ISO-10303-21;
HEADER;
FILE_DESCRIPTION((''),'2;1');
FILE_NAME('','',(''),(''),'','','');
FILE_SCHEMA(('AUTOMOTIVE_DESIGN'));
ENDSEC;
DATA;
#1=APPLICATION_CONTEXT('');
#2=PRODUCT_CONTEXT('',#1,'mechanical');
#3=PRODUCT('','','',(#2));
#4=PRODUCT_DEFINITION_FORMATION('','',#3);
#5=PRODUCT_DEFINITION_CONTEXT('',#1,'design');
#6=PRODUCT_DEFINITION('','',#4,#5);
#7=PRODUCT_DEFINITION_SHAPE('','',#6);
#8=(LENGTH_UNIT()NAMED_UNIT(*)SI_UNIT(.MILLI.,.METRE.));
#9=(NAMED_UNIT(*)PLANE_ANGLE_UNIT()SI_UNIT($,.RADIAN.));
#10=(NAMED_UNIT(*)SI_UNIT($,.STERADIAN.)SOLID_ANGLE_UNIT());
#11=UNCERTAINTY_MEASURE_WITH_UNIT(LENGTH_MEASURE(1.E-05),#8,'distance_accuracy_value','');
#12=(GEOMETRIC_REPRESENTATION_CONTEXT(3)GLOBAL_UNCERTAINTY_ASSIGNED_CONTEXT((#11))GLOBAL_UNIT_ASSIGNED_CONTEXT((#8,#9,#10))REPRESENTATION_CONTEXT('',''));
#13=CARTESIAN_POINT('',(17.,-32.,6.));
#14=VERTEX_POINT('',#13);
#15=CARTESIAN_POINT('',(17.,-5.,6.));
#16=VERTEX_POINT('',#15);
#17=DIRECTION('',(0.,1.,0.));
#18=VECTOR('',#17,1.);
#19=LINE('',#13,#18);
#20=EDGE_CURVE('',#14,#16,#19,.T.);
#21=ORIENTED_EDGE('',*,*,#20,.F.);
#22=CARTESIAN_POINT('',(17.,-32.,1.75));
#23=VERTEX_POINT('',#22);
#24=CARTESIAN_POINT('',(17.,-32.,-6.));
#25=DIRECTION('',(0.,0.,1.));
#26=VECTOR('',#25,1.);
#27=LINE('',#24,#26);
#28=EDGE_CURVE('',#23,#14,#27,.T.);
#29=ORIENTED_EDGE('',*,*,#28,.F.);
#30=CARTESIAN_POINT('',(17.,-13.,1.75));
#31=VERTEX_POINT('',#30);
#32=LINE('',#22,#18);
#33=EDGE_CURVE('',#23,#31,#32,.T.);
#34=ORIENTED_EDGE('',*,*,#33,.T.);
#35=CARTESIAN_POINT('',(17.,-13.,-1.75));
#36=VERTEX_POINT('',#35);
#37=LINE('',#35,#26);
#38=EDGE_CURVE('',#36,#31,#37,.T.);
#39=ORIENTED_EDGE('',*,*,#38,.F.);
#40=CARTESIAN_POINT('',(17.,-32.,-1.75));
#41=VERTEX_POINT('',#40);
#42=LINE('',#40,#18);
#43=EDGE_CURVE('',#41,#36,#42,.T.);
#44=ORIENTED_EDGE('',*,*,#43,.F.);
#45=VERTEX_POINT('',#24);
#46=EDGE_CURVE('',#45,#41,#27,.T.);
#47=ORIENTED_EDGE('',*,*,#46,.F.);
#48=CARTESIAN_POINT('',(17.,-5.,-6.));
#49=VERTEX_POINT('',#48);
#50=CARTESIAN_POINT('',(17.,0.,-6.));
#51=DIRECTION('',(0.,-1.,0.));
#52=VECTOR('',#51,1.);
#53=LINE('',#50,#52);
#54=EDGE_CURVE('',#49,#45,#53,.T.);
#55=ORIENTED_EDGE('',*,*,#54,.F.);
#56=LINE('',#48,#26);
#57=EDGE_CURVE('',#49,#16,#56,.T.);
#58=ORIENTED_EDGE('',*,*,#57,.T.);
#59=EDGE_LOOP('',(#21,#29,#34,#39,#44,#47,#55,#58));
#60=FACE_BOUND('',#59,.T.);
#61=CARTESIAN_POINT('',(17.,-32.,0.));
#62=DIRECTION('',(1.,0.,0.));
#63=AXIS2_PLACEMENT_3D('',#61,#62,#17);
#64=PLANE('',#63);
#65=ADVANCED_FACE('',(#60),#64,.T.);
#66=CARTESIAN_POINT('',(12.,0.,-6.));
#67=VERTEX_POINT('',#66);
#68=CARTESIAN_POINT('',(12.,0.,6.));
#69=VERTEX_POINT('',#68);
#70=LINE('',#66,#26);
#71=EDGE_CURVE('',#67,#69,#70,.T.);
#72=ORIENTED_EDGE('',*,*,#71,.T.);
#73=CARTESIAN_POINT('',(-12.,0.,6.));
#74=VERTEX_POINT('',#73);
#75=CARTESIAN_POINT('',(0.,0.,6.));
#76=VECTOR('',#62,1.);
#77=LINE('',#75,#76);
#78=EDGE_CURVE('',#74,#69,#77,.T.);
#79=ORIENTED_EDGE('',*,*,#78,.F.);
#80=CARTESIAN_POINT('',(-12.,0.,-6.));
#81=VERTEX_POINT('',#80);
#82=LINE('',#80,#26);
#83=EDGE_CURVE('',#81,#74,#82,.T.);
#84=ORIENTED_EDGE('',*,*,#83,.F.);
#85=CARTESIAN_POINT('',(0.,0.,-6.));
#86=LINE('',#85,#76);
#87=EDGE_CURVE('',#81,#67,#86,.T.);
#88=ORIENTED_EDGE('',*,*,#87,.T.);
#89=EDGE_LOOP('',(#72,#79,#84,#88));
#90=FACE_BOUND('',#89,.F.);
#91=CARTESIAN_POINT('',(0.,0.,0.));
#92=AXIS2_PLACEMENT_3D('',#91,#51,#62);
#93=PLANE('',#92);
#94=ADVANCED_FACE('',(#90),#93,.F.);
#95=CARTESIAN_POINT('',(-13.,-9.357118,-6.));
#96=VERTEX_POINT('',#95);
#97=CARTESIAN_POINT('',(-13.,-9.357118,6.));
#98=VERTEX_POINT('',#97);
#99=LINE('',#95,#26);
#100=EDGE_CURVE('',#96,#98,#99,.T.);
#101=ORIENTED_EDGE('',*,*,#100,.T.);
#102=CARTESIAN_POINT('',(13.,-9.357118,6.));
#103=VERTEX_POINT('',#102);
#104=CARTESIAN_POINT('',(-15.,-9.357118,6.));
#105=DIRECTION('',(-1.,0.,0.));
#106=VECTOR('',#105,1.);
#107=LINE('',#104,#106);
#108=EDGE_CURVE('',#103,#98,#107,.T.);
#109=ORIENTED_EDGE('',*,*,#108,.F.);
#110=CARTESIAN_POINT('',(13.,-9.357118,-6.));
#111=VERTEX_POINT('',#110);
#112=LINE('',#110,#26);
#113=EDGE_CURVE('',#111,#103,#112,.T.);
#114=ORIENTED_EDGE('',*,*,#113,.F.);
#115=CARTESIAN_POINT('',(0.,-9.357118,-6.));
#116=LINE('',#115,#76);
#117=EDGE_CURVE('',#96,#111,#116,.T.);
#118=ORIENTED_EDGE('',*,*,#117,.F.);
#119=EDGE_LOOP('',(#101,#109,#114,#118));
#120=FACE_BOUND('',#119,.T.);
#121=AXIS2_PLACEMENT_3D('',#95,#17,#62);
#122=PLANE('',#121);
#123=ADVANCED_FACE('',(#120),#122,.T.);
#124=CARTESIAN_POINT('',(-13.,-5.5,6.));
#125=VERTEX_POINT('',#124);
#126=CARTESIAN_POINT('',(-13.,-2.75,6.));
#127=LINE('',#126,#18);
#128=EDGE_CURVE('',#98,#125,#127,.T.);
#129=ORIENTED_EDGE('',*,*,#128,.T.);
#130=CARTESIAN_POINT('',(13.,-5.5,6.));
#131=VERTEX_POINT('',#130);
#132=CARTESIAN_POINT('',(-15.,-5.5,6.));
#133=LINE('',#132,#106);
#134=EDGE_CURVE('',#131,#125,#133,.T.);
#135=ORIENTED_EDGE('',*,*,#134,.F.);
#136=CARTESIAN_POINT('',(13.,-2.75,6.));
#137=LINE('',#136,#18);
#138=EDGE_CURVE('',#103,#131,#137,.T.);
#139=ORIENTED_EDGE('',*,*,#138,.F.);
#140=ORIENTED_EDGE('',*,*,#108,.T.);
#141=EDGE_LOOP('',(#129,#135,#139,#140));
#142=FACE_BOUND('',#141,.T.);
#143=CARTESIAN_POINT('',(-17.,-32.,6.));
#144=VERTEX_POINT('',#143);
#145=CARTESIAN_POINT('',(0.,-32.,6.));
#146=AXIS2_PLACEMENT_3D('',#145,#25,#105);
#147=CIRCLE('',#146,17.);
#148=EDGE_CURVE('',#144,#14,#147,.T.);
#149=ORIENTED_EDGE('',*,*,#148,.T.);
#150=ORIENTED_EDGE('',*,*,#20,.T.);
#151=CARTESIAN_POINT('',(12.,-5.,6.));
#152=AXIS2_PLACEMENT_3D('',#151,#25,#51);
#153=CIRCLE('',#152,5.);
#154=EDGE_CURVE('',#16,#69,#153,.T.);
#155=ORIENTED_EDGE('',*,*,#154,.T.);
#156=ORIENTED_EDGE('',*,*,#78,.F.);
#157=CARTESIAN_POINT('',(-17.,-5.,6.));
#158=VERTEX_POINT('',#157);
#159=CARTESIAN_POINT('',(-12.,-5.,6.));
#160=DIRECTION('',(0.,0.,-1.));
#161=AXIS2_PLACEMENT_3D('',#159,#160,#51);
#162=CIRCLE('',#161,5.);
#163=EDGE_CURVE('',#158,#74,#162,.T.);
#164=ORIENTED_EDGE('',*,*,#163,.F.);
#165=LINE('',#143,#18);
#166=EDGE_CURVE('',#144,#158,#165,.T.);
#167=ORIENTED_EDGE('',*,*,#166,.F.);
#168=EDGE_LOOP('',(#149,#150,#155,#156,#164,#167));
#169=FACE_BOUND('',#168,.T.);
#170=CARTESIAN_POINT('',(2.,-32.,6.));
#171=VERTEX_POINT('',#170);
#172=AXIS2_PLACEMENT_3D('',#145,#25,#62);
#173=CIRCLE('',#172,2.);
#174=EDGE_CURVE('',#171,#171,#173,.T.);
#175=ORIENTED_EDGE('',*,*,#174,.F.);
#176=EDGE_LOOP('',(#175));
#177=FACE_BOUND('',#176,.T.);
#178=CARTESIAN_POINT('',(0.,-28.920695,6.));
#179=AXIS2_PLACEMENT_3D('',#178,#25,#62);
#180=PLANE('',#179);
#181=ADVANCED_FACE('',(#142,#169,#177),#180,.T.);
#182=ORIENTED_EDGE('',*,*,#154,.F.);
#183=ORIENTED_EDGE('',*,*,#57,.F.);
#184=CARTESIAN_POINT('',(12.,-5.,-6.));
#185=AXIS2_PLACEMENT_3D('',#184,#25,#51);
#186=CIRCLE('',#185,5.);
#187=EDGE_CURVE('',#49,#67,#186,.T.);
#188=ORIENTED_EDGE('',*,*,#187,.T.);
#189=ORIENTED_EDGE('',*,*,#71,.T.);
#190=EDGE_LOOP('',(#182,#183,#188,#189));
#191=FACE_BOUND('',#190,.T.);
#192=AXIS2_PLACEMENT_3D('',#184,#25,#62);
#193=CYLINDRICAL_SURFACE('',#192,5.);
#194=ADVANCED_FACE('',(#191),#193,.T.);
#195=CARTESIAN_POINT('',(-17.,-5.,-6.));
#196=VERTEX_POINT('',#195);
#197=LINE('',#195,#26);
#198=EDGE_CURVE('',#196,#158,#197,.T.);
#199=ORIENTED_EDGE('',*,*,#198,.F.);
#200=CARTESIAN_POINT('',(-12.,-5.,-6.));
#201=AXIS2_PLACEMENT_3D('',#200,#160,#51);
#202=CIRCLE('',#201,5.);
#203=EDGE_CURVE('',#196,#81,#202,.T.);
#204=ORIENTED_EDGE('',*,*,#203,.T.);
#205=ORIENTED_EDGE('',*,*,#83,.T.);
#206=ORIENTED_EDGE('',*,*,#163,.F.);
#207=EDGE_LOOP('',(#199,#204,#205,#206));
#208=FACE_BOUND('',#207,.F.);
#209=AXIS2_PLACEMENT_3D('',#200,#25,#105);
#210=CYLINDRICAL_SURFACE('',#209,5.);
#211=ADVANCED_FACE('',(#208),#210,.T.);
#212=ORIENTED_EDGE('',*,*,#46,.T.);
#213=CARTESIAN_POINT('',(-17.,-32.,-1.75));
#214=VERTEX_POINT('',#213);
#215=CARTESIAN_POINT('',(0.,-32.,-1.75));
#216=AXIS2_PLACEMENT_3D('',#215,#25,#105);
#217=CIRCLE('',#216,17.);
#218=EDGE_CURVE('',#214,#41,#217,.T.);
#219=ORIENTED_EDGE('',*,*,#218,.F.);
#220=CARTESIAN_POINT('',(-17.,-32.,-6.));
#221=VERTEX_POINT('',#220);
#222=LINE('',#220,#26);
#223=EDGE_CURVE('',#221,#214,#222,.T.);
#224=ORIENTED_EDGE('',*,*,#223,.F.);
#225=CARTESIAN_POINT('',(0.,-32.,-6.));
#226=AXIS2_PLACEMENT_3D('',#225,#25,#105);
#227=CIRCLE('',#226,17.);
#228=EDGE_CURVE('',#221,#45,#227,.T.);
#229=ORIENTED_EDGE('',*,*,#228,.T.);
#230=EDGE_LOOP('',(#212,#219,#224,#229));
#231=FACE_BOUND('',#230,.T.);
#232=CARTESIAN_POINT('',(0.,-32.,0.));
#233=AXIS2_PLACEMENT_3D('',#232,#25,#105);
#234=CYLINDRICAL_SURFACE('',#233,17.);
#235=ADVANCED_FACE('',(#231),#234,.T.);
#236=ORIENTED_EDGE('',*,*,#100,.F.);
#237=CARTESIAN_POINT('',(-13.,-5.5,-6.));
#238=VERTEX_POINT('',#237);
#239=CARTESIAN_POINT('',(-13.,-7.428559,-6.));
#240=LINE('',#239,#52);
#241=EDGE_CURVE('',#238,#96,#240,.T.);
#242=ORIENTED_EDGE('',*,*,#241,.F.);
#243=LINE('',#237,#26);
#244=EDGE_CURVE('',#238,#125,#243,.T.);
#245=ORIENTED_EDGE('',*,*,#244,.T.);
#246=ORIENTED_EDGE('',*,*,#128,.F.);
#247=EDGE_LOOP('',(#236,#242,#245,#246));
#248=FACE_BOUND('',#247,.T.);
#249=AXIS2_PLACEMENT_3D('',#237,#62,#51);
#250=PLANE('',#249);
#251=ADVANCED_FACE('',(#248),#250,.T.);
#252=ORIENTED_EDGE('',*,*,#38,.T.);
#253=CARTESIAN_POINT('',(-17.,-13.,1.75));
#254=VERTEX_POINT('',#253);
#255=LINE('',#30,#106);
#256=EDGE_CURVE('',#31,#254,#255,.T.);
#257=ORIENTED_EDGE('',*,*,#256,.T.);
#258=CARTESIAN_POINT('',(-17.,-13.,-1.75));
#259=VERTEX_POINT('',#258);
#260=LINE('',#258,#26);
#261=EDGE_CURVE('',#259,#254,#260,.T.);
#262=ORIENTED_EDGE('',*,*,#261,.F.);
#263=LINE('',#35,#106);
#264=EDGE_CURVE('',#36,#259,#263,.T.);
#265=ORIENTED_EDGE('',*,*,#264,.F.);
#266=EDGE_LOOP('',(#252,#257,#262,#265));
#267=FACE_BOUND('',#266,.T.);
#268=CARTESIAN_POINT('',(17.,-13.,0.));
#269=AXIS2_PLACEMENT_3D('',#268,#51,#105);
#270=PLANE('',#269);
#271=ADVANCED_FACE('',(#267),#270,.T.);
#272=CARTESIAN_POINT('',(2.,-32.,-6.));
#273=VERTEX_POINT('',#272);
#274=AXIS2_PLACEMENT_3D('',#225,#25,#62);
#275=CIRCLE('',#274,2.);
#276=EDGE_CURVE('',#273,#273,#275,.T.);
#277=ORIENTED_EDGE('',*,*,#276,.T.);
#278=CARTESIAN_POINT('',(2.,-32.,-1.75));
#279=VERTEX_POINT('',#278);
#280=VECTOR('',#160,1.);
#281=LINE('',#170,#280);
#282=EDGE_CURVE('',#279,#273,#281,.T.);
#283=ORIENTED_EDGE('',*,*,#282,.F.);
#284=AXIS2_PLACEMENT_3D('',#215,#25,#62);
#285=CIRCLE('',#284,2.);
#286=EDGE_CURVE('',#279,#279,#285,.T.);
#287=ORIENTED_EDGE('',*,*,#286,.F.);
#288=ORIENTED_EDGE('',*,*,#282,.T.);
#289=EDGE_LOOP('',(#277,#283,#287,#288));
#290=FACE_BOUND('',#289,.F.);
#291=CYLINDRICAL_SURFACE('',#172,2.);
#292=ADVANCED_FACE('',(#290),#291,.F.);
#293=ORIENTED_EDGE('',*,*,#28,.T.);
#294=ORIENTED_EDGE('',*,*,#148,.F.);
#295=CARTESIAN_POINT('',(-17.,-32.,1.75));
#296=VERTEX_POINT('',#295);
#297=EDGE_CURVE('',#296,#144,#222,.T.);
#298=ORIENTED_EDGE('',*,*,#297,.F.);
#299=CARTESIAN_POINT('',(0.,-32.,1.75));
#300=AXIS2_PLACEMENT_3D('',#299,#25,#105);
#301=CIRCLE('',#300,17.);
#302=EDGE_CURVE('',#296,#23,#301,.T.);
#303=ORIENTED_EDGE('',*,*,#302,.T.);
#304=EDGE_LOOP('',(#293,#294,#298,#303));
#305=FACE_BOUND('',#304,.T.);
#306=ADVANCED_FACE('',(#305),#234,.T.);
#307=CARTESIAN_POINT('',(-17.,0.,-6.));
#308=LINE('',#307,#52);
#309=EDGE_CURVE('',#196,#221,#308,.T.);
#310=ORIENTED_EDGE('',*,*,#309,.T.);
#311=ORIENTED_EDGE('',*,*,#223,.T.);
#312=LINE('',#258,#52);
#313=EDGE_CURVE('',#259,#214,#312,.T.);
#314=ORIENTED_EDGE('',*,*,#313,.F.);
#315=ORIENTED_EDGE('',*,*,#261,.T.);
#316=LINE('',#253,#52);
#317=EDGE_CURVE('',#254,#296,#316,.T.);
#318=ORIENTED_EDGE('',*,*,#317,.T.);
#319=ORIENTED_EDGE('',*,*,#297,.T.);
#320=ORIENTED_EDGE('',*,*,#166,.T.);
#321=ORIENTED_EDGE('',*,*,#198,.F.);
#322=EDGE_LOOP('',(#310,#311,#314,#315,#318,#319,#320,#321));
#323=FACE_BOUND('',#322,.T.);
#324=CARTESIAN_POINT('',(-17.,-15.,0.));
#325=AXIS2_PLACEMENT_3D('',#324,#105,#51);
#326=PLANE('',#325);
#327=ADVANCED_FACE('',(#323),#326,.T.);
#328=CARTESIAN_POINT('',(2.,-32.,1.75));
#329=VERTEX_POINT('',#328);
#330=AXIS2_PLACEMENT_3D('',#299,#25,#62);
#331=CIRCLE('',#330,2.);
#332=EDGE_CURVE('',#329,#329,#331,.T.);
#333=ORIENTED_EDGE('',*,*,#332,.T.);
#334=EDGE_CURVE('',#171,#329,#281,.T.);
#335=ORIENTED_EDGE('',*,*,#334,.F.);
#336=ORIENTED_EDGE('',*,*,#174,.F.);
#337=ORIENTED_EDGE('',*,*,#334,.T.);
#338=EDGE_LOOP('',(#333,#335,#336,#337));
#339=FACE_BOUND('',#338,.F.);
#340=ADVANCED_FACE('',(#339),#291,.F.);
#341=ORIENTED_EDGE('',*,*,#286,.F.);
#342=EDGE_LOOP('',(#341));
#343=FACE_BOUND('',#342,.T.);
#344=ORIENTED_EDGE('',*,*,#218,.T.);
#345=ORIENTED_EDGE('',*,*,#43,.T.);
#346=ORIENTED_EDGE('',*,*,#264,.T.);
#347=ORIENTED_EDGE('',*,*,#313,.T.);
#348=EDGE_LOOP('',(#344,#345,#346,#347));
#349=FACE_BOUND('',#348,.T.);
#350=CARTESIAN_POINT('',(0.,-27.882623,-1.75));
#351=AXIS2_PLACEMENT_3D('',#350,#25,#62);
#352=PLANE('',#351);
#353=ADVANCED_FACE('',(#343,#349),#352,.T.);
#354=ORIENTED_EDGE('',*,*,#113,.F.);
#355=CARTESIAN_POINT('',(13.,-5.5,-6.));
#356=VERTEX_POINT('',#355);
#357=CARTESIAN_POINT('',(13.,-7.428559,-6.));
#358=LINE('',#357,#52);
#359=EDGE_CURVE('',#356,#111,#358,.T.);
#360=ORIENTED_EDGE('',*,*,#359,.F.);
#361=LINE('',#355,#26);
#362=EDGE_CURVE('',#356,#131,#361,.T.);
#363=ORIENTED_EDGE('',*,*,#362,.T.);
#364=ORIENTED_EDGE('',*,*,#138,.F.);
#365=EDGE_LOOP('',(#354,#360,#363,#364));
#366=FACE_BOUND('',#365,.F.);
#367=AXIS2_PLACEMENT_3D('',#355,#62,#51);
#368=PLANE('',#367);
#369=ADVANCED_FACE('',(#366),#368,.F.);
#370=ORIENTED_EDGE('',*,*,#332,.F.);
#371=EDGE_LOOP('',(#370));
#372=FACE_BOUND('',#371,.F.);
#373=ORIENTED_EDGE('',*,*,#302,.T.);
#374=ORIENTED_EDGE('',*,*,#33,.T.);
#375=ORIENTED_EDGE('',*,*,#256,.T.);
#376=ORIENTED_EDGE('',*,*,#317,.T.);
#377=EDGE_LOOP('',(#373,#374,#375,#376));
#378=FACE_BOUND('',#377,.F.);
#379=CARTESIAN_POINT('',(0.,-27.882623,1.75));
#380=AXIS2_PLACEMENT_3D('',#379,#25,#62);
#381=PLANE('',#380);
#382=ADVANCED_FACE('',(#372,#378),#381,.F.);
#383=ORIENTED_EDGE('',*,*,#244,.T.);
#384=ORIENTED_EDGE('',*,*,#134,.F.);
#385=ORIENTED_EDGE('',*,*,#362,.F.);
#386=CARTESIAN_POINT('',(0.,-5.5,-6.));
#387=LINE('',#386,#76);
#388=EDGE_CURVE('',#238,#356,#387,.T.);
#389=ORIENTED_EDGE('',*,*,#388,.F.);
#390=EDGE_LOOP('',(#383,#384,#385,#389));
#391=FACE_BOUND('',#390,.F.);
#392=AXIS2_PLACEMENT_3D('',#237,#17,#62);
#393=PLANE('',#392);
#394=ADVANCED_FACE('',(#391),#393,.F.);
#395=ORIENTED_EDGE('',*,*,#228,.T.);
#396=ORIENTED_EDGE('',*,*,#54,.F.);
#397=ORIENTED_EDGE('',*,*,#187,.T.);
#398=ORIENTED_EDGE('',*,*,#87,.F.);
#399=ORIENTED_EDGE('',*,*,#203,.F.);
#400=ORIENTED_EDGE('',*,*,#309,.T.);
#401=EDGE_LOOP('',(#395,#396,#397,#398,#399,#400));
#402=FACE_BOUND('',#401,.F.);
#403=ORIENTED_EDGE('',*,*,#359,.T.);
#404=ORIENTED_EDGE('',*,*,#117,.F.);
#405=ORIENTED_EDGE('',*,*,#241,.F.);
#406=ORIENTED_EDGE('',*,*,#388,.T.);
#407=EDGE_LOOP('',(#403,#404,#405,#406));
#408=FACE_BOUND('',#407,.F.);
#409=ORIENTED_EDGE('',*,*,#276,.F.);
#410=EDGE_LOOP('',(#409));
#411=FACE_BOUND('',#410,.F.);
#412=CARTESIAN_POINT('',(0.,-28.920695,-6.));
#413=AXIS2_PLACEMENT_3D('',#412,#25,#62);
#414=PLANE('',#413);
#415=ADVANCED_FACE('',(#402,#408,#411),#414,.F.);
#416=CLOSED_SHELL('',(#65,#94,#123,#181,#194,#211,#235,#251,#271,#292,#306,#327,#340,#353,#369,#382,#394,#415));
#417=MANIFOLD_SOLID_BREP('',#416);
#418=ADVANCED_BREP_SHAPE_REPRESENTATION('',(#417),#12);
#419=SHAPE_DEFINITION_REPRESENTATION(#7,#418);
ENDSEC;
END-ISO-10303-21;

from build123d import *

# Parameters (mm, degrees)
F0_W          = 34
F0_H          = 12
F1_DEPTH      = 15
F2_W          = 26
F2_H          = 3.8571179805
F3_DEPTH      = 25
F5_DEPTH      = 6
F5_DEPTH_BACK = 6
F6_R          = 2
F7_DEPTH      = 25
F9_DEPTH      = 1.75
F9_DEPTH_BACK = 1.75
F10_R         = 5


with BuildPart() as f1:
    # F0 (on Front) → F1 (new body)
    with BuildSketch(Plane.XZ):
        Rectangle(F0_W, F0_H)
    extrude(amount=F1_DEPTH)

    # F2 (on face) → F3 (cut)
    with BuildSketch(Plane(origin=(0, 0, -6), x_dir=(1, 0, 0), z_dir=(0, 0, -1))):
        with Locations((0, 7.4285589902)):
            Rectangle(F2_W, F2_H)
    extrude(amount=-F3_DEPTH, mode=Mode.SUBTRACT)

    # F4 (on Top) → F5 (join, two sides)
    with BuildSketch(Plane.XY) as f5_sk:
        with BuildLine():
            Line((-17, -15), (-17, -32))
            ThreePointArc((-17, -32), (0, -49), (17, -32))
            Line((17, -32), (17, -15))
            Line((17, -15), (-17, -15))
        make_face()
    extrude(amount=F5_DEPTH)
    extrude(f5_sk.sketch, amount=-F5_DEPTH_BACK)

    # F6 (on face) → F7 (cut)
    with BuildSketch(Plane.XY.offset(6)):
        with Locations((0, -32)):
            Circle(F6_R)
    extrude(amount=-F7_DEPTH, mode=Mode.SUBTRACT)

    # F8 (on Top) → F9 (cut, two sides)
    with BuildSketch(Plane.XY) as f9_sk:
        with BuildLine():
            Line((-17, -13), (-17, -32))
            ThreePointArc((-17, -32), (0, -49), (17, -32))
            Line((17, -32), (17, -13))
            Line((17, -13), (0, -13))
            Line((0, -13), (-17, -13))
        make_face()
    extrude(amount=-F9_DEPTH, mode=Mode.SUBTRACT)
    extrude(f9_sk.sketch, amount=F9_DEPTH_BACK, mode=Mode.SUBTRACT)

    # F10
    f10_edges = [f1.edges().sort_by_distance(p)[0] for p in [
        (-17, 0, 0),
        (17, 0, 0),
    ]]
    fillet(f10_edges, radius=F10_R)


solid = f1.part
